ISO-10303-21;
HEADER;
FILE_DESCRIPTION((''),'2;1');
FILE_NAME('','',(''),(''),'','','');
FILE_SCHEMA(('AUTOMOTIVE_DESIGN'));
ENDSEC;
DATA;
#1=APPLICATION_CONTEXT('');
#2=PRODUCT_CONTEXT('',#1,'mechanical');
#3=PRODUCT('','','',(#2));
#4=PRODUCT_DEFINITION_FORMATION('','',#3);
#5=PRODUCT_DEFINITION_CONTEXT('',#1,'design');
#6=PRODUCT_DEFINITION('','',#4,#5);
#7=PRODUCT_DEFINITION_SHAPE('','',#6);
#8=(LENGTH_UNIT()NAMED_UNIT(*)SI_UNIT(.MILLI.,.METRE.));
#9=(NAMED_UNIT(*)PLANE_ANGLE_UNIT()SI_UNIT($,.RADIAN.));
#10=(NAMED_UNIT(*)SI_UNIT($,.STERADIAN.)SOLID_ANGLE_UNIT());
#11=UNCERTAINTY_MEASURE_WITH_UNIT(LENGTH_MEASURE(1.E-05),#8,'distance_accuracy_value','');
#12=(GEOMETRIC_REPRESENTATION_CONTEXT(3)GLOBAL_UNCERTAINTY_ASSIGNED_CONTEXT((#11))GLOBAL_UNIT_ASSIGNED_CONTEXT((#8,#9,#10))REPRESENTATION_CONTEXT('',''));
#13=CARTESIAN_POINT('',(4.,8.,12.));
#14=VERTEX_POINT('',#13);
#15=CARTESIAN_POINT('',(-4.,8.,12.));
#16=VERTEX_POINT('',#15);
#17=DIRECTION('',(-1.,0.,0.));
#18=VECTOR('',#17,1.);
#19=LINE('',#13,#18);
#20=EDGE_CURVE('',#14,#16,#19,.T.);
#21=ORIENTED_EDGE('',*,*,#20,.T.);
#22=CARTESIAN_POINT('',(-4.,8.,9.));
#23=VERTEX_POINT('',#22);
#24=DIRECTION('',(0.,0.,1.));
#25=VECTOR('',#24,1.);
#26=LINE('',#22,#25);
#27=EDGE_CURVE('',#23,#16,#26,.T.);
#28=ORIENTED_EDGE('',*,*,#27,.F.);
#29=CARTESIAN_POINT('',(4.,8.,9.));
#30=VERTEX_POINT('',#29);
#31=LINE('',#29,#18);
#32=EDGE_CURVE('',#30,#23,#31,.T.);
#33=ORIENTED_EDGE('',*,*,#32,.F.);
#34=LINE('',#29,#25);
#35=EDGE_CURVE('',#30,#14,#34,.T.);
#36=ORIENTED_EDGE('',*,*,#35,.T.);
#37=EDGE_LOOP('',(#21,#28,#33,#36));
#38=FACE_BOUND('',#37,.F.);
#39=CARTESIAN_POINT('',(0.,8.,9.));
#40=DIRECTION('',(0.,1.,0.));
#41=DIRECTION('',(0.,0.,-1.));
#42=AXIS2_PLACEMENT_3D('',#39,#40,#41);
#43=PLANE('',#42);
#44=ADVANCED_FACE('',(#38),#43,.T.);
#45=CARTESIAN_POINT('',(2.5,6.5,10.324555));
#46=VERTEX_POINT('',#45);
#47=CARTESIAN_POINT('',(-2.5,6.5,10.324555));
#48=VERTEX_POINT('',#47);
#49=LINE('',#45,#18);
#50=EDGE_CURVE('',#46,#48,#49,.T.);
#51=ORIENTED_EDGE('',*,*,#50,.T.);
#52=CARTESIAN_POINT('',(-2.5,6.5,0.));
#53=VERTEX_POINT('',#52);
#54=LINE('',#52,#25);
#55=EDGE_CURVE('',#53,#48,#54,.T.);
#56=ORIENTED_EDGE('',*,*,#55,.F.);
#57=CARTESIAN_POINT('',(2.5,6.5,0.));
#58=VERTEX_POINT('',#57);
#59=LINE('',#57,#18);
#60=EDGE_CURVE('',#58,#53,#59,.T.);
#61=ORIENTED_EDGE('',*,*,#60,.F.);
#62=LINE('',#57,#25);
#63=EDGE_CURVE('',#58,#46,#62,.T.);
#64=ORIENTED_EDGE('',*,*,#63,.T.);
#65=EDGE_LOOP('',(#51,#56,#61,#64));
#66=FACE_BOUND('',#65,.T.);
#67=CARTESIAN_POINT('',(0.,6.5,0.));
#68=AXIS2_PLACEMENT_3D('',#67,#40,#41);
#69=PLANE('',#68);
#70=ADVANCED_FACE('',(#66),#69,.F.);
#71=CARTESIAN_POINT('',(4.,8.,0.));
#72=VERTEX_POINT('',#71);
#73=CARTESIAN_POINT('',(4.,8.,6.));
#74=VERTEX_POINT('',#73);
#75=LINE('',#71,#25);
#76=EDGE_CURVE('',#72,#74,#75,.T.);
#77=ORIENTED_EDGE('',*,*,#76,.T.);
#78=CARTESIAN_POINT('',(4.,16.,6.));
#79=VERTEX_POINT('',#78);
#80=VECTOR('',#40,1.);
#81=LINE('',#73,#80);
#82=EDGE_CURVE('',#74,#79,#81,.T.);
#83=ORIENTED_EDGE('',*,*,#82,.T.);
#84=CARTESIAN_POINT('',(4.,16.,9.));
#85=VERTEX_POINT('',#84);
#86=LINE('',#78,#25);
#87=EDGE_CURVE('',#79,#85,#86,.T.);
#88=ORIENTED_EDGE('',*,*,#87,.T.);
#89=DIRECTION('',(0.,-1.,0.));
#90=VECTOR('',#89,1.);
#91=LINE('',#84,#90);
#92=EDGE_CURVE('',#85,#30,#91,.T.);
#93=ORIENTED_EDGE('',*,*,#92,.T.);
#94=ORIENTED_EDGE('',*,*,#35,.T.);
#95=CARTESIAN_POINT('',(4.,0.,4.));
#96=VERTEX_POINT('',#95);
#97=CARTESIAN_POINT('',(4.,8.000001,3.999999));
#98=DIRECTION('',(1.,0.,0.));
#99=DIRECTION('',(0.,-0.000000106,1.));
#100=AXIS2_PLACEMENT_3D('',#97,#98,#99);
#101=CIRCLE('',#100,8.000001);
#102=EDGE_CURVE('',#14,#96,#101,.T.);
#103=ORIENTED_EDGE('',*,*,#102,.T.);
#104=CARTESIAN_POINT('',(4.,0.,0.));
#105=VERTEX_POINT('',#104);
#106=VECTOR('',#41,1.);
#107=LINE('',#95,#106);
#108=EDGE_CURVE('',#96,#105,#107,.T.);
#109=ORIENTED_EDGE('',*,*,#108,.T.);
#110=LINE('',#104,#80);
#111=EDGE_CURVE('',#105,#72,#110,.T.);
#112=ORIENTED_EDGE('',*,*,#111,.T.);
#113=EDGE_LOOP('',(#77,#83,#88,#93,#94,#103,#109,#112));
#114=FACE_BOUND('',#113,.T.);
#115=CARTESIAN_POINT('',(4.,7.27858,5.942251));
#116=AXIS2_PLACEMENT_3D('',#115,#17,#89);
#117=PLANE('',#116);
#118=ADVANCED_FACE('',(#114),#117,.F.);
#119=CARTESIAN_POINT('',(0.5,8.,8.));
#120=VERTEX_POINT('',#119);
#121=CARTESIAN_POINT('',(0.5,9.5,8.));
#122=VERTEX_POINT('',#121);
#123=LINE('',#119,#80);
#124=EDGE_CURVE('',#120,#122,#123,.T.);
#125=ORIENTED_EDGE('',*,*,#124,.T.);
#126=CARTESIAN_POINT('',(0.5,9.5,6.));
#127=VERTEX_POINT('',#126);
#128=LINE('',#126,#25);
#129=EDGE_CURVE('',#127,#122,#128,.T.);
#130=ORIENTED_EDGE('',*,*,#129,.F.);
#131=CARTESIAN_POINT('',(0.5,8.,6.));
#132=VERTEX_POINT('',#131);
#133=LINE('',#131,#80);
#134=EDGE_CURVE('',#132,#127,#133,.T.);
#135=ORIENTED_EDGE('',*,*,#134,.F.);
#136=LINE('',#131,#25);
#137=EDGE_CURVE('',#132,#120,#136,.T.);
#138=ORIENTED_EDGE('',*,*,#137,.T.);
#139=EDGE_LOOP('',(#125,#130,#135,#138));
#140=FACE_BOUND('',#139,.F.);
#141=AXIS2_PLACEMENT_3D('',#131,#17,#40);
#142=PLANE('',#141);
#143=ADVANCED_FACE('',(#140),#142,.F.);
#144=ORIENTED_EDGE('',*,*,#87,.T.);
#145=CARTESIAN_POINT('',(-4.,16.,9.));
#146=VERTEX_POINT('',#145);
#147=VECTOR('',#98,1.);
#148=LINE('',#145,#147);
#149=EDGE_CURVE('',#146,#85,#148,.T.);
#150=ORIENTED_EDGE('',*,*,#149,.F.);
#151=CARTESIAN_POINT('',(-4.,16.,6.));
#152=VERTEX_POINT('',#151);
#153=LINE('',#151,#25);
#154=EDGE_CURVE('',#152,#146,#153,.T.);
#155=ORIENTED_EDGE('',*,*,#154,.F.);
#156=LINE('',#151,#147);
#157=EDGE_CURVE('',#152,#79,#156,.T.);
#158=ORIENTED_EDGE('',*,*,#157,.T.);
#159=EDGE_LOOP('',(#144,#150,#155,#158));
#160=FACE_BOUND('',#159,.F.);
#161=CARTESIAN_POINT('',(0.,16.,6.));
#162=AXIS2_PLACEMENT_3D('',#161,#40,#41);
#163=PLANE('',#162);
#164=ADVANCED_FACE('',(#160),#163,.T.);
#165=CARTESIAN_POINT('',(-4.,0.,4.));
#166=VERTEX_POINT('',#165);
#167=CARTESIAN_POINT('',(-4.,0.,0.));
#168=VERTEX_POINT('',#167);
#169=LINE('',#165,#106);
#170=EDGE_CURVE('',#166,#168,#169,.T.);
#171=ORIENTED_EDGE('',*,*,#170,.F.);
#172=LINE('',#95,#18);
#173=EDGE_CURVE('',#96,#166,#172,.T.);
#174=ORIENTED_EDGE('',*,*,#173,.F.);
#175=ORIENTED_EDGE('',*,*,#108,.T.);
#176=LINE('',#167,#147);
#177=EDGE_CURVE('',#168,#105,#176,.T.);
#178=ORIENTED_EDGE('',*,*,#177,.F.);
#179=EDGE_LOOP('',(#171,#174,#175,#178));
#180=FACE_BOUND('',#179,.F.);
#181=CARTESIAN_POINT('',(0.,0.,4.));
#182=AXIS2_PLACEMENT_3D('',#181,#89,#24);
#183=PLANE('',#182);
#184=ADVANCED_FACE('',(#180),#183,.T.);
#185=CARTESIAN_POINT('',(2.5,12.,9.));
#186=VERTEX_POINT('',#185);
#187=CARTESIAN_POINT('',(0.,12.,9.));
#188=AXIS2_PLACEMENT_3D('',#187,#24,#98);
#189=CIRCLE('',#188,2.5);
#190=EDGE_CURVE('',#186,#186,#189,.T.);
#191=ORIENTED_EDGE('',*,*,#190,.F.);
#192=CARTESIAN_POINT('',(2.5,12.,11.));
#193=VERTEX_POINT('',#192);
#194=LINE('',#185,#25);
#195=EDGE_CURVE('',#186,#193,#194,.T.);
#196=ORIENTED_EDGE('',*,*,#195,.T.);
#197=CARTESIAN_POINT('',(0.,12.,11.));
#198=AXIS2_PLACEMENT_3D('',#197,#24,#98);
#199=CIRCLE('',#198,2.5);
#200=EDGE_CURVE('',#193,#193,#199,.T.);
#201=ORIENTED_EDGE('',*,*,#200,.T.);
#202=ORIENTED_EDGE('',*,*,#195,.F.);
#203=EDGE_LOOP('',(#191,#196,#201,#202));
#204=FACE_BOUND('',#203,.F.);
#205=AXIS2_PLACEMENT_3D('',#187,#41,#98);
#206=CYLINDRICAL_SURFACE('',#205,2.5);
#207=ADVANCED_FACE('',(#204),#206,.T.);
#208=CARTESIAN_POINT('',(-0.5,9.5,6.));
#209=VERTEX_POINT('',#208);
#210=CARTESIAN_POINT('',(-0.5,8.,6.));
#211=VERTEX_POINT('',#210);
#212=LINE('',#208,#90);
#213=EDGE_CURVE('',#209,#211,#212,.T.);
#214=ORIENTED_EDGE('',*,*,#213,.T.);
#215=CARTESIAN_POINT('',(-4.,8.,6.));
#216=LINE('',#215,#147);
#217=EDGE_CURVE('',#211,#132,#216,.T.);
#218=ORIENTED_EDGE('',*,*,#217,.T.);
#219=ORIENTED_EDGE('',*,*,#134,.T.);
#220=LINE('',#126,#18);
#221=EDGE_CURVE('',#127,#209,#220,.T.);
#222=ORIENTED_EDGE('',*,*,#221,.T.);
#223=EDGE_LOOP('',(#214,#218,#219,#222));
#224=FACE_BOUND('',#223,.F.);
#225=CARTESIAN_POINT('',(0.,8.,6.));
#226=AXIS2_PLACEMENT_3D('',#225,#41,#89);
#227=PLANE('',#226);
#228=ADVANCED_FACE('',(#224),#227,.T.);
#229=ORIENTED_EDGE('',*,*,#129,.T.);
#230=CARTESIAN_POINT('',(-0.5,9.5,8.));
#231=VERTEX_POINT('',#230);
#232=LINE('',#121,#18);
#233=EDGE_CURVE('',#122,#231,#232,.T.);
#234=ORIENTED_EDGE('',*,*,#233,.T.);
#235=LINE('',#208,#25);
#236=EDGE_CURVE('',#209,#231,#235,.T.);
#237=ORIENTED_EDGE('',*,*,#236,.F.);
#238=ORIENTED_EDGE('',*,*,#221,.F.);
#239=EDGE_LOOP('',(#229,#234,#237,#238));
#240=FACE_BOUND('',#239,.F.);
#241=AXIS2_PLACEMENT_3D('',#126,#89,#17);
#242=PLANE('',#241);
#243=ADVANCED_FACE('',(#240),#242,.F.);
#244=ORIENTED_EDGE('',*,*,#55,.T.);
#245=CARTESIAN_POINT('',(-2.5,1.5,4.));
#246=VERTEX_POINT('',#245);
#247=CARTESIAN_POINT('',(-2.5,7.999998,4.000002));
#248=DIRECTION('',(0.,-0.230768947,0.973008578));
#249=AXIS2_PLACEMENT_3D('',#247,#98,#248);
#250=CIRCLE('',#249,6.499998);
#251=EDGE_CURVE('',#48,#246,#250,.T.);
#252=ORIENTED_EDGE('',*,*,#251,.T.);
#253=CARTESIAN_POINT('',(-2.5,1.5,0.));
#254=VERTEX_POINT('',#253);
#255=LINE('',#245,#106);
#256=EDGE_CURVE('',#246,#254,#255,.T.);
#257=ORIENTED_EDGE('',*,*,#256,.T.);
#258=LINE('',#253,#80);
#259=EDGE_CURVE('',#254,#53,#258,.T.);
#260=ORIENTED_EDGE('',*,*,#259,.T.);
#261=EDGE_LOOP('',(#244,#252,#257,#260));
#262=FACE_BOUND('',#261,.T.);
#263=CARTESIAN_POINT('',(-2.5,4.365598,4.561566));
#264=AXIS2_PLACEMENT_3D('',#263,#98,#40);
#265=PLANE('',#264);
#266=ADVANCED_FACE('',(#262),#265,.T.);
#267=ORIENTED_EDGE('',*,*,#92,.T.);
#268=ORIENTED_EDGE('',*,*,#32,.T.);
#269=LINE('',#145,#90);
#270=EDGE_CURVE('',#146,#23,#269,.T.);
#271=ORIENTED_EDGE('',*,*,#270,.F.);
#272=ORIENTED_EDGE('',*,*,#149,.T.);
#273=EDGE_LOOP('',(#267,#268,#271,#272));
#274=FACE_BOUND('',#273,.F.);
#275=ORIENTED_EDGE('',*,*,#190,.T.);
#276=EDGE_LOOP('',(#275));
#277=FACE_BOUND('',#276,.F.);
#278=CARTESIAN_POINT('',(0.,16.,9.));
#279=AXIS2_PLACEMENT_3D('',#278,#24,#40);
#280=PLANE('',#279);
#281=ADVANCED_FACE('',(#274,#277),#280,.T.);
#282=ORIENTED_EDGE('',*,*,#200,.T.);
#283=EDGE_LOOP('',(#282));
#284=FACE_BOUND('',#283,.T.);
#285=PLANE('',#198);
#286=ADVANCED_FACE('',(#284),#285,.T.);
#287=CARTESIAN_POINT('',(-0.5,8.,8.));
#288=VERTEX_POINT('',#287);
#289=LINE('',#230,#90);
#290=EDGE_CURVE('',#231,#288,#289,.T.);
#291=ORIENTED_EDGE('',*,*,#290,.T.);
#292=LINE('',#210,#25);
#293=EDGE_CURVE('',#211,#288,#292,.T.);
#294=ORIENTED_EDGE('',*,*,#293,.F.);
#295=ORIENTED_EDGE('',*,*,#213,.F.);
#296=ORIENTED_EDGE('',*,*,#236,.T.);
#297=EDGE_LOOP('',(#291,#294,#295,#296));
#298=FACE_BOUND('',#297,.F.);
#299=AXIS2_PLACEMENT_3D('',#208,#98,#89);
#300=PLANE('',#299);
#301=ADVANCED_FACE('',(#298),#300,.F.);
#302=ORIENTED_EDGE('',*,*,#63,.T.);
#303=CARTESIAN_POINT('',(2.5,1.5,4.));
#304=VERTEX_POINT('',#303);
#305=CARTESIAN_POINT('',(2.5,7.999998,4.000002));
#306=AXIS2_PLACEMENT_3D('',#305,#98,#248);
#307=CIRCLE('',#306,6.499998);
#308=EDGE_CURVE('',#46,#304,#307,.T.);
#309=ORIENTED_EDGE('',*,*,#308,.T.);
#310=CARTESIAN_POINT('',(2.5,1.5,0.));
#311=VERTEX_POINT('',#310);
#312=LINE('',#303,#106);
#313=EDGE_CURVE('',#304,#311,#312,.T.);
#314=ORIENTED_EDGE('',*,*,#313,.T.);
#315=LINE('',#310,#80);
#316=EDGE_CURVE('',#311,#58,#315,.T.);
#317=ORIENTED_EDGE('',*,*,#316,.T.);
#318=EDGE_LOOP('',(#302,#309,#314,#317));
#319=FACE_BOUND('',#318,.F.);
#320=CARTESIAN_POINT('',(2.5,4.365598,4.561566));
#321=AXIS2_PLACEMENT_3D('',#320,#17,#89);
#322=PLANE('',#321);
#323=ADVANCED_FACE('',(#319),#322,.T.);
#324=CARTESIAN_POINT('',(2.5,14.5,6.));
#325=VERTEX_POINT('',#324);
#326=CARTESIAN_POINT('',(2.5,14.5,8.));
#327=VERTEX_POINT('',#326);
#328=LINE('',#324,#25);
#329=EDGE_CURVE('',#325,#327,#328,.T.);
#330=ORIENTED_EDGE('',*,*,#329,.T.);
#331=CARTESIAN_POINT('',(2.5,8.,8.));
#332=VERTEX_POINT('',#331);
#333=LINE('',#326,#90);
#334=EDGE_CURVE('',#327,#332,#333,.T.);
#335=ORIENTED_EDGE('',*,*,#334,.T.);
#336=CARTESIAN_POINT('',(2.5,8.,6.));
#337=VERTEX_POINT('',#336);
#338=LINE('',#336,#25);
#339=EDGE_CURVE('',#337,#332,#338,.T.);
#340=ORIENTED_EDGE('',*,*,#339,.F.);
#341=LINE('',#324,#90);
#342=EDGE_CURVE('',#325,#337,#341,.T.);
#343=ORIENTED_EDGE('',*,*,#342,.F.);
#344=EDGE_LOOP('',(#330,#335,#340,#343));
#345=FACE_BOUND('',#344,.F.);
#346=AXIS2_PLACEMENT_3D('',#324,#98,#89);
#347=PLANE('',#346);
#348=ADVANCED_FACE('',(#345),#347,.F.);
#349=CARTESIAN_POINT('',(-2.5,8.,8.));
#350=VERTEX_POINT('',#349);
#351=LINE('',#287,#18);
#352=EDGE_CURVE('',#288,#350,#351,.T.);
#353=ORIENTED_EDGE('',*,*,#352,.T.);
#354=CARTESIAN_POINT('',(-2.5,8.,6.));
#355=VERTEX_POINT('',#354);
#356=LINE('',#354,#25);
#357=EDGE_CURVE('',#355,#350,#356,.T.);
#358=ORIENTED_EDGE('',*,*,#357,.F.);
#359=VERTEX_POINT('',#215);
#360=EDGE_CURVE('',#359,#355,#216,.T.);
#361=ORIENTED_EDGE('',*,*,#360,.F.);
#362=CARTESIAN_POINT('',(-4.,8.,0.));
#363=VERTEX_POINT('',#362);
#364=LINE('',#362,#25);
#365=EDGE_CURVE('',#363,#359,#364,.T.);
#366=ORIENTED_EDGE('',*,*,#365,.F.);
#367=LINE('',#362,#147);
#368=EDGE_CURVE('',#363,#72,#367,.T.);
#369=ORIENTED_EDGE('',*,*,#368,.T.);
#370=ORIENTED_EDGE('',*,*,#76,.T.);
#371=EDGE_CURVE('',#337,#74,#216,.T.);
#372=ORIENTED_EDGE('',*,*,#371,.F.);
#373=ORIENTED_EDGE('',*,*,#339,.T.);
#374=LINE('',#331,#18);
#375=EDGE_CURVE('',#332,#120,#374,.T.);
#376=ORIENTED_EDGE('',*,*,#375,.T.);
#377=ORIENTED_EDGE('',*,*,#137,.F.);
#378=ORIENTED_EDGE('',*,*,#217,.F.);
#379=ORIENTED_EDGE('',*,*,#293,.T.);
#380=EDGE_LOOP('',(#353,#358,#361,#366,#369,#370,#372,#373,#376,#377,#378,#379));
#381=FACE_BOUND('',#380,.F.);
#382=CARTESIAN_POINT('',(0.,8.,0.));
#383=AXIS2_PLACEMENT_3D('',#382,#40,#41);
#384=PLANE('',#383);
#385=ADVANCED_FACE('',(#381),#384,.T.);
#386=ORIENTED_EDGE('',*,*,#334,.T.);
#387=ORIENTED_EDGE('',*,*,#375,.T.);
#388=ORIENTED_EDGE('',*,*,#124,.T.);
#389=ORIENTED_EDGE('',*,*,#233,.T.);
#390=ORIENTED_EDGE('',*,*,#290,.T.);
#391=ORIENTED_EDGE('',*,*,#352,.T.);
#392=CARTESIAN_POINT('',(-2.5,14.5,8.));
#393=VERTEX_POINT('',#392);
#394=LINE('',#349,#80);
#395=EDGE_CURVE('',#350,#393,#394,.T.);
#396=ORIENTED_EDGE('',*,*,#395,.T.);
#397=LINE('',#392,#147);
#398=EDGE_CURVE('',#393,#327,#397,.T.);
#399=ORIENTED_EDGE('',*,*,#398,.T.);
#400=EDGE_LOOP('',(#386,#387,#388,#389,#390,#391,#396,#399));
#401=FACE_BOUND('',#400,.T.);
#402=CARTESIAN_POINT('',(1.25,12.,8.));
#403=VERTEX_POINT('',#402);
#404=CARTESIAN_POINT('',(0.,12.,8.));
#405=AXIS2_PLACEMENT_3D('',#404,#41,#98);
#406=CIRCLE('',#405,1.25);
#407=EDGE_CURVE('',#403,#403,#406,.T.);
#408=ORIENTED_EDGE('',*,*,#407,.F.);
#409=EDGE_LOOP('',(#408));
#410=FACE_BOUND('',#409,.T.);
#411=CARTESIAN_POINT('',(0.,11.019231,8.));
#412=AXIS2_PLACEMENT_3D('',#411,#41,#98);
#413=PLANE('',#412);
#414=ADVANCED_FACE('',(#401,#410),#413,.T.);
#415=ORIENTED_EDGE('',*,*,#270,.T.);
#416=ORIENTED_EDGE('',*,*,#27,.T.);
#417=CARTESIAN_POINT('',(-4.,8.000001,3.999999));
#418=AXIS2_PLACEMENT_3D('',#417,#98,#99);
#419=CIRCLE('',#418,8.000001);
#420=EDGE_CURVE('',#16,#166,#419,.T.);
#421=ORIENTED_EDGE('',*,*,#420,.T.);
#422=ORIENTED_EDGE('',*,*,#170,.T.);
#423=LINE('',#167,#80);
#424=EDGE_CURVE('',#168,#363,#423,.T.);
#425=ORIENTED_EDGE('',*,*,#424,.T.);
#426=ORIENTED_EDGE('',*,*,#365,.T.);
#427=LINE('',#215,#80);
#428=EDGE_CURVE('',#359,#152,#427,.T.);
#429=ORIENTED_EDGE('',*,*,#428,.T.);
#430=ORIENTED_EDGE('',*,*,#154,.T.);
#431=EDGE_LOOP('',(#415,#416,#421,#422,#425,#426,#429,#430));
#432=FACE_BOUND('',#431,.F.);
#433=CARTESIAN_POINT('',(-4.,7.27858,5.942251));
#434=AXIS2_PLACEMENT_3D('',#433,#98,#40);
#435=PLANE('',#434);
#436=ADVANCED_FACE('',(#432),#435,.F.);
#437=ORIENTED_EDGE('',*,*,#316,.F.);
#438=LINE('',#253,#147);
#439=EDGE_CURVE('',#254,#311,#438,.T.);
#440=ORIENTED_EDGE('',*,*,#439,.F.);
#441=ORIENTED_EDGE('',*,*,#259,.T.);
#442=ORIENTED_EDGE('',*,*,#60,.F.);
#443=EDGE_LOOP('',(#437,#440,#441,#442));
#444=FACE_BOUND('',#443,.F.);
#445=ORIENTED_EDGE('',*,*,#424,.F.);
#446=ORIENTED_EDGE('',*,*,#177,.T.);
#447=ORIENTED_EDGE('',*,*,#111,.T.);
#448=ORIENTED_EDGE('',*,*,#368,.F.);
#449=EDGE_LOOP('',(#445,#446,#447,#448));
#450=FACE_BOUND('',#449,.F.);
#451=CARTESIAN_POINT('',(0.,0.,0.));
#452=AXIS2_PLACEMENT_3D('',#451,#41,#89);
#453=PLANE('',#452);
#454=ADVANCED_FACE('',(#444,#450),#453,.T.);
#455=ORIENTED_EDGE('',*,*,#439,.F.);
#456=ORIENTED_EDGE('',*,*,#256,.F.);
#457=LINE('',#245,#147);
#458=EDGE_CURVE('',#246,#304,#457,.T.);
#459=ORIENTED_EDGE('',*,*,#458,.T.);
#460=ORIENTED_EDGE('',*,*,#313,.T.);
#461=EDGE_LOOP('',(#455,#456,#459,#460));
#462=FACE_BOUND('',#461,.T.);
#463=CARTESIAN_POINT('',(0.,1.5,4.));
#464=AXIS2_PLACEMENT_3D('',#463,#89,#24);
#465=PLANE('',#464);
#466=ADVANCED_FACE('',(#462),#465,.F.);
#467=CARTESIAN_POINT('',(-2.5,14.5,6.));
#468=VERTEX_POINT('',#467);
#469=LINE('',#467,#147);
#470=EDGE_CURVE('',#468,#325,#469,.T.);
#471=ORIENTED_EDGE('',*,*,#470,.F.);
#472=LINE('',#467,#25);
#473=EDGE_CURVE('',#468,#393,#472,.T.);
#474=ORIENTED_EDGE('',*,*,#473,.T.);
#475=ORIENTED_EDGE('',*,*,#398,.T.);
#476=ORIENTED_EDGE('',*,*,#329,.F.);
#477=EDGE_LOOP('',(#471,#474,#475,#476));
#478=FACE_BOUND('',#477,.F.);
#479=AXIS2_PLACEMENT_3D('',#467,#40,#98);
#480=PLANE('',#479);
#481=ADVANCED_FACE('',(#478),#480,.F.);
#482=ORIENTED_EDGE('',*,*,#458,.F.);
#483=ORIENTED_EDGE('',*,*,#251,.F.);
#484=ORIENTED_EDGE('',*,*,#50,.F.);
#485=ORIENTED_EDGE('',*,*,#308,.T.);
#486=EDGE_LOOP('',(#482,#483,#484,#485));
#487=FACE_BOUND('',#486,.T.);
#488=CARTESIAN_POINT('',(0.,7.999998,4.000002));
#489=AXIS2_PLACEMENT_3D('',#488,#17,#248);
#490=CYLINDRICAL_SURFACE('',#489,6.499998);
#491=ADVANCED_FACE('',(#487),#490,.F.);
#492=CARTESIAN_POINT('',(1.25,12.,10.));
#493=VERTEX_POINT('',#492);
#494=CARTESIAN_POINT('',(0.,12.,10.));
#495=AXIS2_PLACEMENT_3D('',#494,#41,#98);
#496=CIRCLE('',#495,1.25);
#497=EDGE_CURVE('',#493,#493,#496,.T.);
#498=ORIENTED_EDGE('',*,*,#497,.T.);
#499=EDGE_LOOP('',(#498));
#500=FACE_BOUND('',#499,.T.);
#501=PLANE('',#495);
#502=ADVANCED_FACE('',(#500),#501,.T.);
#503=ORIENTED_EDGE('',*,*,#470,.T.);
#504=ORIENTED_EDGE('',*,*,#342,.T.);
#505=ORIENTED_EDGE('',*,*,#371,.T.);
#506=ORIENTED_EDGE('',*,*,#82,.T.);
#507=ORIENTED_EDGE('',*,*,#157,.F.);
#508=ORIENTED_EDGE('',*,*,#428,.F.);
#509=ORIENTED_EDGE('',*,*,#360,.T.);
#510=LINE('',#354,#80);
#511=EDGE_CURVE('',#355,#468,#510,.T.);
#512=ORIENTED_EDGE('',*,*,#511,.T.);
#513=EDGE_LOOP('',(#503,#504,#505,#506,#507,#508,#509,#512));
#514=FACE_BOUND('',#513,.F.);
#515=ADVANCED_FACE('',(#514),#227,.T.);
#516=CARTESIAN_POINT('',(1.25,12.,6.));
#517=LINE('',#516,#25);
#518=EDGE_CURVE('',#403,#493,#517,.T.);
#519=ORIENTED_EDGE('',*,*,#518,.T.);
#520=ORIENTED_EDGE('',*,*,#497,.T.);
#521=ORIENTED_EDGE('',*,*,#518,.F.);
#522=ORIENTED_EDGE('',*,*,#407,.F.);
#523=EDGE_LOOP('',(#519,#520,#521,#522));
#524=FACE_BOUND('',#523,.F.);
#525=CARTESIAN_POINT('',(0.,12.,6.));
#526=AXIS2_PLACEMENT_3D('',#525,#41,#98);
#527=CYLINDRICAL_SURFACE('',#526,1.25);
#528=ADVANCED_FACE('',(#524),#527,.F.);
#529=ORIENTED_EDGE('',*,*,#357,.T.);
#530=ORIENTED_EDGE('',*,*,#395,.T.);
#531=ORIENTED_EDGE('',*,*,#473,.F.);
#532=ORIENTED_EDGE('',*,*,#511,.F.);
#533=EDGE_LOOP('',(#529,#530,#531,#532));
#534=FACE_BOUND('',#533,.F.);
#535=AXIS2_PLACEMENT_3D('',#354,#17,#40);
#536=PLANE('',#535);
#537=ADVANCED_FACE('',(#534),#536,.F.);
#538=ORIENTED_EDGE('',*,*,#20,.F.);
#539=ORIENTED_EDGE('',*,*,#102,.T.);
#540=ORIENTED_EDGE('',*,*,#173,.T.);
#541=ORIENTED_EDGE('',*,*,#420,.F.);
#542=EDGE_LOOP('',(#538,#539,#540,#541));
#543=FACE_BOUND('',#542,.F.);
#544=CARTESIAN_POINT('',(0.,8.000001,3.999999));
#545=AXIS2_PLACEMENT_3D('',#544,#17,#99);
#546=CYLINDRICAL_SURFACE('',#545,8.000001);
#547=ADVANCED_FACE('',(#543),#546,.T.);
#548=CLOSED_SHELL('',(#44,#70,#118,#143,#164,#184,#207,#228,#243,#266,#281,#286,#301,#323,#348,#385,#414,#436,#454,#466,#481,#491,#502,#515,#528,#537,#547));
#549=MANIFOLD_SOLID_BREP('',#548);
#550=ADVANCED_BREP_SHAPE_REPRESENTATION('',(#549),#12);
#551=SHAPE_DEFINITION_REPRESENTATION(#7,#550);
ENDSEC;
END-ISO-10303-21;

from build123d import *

# Parameters (mm, degrees)
F1_DEPTH  = 4
F3_DEPTH  = 2.5
F5_R      = 2.5
F6_DEPTH  = 2
F7_R      = 1.25
F8_DEPTH  = 4
F10_DEPTH = 2


with BuildPart() as f1:
    # F0 (on Right) → F1 (new body)
    with BuildSketch(Plane.YZ):
        with BuildLine():
            Line((0, 4), (0, 0))
            Line((0, 0), (8, 0))
            Line((8, 0), (8, 6))
            Line((8, 6), (16, 6))
            Line((16, 6), (16, 9))
            Line((16, 9), (8, 9))
            Line((8, 9), (8, 12))
            ThreePointArc((8, 12), (2.343146, 9.656854), (0, 4))
        make_face()
    extrude(amount=-F1_DEPTH)

    # F2 (on face) → F3 (cut)
    with BuildSketch(Plane.YZ):
        with BuildLine():
            Line((6.5, 0), (6.5, 10.324555))
            ThreePointArc((6.5, 10.324555), (2.90098, 8.031129), (1.5, 4))
            Line((1.5, 4), (1.5, 0))
            Line((1.5, 0), (6.5, 0))
        make_face()
    extrude(amount=-F3_DEPTH, mode=Mode.SUBTRACT)

    # F4: F1 across face


with BuildPart() as f1_1:
    add(f1.part)
    add(f1.part.mirror(Plane(origin=(0, 7.388969, 6.713356), x_dir=(0, 1, 0), z_dir=(1, 0, 0))))

    # F5 (on face) → F6 (join)
    with BuildSketch(Plane.XY.offset(9)):
        with Locations((0, 12)):
            Circle(F5_R)
    extrude(amount=F6_DEPTH)

    # F7 (on face) → F8 (cut)
    with BuildSketch(Plane(origin=(0, 0, 6), x_dir=(1, 0, 0), z_dir=(0, 0, -1))):
        with Locations((0, -12)):
            Circle(F7_R)
    extrude(amount=-F8_DEPTH, mode=Mode.SUBTRACT)

    # F9 (on face) → F10 (cut)
    with BuildSketch(Plane(origin=(0, 0, 6), x_dir=(1, 0, 0), z_dir=(0, 0, -1))):
        Polygon((-2.5, -8), (-2.5, -14.5), (2.5, -14.5), (2.5, -8), (0.5, -8), (0.5, -9.5), (-0.5, -9.5), (-0.5, -8), align=None)
    extrude(amount=-F10_DEPTH, mode=Mode.SUBTRACT)


solid = f1_1.part
